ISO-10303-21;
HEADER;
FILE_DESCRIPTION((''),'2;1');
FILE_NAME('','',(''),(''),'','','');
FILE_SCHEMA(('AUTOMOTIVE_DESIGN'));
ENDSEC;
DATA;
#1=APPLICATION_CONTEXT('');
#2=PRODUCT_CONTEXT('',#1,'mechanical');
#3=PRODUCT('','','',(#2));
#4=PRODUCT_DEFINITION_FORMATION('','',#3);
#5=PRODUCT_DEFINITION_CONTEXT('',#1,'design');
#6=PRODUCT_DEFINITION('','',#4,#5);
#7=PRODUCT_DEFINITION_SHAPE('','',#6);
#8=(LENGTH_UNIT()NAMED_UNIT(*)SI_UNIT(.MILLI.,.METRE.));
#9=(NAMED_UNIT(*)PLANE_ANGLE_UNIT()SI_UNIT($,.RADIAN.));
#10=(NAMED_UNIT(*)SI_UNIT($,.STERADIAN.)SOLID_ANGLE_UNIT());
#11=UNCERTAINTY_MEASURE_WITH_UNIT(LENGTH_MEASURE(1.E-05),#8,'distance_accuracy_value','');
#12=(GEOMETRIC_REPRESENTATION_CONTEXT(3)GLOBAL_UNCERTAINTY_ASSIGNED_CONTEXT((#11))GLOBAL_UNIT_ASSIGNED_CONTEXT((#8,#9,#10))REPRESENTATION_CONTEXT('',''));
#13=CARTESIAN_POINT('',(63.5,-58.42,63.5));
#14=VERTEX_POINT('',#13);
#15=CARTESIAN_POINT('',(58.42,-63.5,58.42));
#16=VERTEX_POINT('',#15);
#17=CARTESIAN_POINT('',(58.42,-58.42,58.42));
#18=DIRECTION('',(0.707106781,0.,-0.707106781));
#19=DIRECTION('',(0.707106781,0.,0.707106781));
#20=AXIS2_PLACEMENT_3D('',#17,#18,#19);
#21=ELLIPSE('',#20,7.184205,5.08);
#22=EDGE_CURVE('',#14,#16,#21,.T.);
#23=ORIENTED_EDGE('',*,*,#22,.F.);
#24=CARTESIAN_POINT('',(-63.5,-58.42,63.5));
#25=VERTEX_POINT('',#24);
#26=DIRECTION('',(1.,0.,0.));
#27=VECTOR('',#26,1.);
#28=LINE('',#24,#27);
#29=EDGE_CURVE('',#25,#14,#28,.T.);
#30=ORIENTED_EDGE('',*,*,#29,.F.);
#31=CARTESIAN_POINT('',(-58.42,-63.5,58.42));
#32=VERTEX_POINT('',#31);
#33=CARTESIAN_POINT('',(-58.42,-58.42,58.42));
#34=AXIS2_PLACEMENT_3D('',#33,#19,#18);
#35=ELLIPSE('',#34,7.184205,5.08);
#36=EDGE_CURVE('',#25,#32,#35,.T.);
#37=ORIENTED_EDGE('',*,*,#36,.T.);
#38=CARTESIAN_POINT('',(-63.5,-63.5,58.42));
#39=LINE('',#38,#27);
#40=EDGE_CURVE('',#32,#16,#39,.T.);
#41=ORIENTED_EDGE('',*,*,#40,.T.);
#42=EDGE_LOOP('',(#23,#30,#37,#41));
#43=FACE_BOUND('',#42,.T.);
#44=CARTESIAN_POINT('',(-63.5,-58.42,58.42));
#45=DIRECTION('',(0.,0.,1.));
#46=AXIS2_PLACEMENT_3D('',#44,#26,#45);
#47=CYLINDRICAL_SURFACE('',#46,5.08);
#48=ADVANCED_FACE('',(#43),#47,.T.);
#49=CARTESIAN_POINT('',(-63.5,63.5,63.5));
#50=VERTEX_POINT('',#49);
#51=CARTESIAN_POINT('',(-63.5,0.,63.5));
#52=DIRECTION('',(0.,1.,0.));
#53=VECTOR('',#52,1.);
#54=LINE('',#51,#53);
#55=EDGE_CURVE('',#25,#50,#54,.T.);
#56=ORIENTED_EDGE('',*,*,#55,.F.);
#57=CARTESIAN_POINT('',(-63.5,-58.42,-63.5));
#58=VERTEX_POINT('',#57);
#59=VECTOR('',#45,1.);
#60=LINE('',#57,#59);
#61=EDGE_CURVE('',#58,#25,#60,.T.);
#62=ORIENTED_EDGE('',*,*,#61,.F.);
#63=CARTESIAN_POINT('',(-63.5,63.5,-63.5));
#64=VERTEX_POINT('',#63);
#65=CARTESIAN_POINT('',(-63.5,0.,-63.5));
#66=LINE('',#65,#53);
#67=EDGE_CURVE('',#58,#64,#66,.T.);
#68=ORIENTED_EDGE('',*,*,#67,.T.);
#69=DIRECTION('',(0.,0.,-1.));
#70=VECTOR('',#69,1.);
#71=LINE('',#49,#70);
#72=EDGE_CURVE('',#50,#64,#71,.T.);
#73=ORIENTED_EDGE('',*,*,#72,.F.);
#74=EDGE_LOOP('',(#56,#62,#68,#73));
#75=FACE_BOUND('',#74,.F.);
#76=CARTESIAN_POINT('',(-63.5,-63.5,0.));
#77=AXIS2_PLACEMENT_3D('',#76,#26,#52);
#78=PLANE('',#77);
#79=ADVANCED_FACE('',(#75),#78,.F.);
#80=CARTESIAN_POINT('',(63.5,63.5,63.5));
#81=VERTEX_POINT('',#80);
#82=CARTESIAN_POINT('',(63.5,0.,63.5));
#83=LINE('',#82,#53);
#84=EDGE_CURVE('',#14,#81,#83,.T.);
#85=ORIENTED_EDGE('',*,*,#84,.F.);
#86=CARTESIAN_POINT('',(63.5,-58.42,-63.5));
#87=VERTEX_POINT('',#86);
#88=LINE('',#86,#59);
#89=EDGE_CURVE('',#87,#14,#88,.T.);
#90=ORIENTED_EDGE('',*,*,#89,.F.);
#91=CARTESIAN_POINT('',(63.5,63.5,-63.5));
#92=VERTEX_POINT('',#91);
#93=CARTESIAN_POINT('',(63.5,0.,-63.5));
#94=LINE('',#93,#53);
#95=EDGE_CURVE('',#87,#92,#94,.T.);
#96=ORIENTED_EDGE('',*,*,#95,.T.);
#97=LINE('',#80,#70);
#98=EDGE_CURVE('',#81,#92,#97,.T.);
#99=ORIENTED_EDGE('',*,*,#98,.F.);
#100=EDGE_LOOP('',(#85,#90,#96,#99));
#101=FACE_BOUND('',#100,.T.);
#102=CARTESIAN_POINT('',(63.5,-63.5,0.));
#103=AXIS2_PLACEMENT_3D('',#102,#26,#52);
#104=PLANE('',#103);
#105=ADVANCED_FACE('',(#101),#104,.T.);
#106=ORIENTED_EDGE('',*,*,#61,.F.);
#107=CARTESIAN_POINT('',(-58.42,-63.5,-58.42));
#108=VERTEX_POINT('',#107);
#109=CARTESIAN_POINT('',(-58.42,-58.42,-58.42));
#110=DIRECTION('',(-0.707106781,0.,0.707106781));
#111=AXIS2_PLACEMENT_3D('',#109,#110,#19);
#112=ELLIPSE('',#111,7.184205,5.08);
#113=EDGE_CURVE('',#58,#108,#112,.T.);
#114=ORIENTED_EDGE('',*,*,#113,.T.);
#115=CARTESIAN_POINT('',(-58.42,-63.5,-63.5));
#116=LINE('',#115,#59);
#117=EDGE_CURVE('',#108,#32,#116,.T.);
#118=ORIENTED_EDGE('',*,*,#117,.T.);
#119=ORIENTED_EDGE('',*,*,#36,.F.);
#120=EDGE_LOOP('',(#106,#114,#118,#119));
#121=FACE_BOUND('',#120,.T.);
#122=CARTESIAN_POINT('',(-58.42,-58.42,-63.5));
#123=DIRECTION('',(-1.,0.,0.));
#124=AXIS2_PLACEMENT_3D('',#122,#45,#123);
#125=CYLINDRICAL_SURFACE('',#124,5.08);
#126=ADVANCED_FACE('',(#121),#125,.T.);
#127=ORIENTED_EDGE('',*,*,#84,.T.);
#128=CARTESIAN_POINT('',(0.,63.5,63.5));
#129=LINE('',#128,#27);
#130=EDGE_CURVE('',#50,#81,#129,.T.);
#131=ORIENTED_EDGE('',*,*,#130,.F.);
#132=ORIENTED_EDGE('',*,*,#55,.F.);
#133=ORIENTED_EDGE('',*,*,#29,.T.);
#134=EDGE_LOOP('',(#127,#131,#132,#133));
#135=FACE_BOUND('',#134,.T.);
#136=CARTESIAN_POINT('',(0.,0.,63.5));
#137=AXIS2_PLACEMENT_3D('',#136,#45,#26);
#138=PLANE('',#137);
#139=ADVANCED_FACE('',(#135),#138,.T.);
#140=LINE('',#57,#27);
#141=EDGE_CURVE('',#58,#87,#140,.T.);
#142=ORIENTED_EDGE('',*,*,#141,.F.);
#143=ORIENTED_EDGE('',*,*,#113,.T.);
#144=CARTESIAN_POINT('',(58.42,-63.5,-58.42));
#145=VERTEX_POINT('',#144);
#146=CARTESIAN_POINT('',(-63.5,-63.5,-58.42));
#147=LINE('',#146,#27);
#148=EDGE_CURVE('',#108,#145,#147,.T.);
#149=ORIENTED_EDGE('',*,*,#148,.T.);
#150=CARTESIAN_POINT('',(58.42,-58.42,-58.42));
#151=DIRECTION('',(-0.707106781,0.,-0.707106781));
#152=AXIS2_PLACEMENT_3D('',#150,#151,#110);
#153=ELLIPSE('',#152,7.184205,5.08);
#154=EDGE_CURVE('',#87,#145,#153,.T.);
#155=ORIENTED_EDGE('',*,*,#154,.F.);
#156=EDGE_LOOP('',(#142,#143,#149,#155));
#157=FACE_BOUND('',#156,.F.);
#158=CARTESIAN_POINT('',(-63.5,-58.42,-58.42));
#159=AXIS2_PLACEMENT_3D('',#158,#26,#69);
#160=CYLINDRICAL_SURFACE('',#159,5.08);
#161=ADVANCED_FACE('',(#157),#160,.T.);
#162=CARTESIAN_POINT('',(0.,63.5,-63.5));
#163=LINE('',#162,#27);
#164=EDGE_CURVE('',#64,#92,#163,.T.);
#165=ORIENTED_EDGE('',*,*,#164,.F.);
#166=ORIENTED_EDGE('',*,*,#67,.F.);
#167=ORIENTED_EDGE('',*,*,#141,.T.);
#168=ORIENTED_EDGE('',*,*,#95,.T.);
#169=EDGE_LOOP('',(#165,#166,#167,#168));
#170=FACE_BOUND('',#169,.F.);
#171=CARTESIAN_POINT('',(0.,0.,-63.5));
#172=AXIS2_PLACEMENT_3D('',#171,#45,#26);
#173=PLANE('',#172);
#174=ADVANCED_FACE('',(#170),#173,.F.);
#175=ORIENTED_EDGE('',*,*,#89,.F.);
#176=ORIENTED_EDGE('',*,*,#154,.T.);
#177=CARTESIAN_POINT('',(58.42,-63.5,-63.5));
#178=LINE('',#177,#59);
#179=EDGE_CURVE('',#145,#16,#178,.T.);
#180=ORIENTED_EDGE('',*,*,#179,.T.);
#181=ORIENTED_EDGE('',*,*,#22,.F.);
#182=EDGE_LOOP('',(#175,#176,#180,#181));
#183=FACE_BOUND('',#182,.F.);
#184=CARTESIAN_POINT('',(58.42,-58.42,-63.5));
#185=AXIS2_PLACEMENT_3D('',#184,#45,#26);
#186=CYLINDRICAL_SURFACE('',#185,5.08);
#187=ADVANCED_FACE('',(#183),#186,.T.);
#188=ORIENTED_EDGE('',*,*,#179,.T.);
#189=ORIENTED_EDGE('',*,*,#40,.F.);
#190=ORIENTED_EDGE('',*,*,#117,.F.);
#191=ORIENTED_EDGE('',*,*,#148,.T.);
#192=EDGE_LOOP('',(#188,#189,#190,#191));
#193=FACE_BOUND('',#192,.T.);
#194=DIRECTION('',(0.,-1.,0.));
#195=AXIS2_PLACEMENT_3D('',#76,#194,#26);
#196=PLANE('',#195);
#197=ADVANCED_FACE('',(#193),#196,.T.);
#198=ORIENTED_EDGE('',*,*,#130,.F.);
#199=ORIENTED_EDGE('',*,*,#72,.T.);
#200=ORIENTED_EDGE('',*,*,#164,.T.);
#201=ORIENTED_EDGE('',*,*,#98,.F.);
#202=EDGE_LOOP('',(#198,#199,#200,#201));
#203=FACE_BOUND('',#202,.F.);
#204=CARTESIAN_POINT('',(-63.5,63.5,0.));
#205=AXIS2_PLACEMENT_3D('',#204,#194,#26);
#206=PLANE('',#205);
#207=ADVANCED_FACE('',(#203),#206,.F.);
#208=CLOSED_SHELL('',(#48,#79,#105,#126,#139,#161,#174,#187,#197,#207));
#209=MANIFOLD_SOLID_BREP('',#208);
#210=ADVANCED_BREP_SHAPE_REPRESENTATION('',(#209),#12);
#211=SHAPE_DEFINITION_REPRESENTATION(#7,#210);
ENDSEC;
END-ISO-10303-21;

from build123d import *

# Parameters (mm, degrees)
F0_W     = 127
F0_H     = 127
F1_DEPTH = 63.5
F2_R     = 5.08


with BuildPart() as f1:
    # F0 (on Top) → F1 (new body, symmetric)
    with BuildSketch(Plane.XY):
        Rectangle(F0_W, F0_H)
    extrude(amount=F1_DEPTH, both=True)

    # F2
    f2_edges = [f1.edges().sort_by_distance(p)[0] for p in [
        (0, -63.5, 63.5),
        (63.5, -63.5, 0),
        (0, -63.5, -63.5),
        (-63.5, -63.5, 0),
    ]]
    fillet(f2_edges, radius=F2_R)


solid = f1.part
